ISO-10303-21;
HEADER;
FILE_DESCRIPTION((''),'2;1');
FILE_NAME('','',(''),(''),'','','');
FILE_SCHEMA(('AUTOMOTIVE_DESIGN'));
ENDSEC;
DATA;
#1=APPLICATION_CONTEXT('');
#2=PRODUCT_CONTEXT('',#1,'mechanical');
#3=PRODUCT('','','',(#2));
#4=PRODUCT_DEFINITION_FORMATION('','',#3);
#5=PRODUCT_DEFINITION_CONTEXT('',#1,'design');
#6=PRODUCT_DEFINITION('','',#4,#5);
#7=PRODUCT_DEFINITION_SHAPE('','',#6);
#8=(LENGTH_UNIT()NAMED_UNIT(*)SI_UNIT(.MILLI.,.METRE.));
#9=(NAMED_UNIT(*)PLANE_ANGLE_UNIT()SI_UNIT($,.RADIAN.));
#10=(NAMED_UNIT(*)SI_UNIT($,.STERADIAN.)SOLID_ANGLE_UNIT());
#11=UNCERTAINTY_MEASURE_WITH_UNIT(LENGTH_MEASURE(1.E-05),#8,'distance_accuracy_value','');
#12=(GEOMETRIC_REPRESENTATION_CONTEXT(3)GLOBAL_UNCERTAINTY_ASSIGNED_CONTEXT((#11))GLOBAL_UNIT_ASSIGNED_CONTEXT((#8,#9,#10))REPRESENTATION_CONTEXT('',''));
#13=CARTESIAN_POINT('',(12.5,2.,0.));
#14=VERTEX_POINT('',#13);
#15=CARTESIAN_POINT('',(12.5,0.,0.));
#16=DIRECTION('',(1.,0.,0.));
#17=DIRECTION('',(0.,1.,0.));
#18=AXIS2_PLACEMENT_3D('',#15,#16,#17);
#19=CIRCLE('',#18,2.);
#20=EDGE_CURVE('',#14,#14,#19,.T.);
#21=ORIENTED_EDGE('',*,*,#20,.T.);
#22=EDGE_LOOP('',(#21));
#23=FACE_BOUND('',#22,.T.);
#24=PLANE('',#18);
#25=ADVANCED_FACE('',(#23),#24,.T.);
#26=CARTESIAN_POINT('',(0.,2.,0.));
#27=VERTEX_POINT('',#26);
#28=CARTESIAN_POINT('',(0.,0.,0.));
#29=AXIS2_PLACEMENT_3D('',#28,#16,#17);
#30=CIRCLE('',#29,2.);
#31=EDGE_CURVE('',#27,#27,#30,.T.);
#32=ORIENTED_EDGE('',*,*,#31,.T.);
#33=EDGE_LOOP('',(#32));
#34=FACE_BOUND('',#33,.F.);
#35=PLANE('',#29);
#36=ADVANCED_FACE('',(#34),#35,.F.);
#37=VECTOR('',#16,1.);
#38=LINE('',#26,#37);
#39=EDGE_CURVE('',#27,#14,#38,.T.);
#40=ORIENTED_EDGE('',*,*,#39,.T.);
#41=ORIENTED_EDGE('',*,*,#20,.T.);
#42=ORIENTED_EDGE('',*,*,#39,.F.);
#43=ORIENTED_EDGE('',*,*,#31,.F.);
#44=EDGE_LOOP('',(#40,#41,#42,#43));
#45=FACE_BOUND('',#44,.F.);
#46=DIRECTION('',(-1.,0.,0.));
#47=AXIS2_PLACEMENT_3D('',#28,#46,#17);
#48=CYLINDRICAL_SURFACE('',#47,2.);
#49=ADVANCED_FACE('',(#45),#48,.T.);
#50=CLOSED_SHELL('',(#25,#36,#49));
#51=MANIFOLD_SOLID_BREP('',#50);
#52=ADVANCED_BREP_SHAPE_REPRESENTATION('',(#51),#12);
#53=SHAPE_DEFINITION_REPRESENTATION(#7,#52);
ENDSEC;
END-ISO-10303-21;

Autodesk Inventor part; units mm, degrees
ref_plane "YZ Plane" through (0, 0, 0) normal (1, 0, 0) x (0, 1, 0)
ref_plane "XZ Plane" through (0, 0, 0) normal (0, 1, 0) x (-1, 0, 0)
ref_plane "XY Plane" through (0, 0, 0) normal (0, 0, 1) x (1, 0, 0)
sketch "Sketch1" plane through (0, 0, 0) normal (1, 0, 0) x (0, 1, 0)
  circle A0 centre (0, 0) radius 2
  dimension "d0" = 4
extrude "Extrusion1" add sketch "Sketch1" along normal blind 12.5
properties part number "Servo Pin"
